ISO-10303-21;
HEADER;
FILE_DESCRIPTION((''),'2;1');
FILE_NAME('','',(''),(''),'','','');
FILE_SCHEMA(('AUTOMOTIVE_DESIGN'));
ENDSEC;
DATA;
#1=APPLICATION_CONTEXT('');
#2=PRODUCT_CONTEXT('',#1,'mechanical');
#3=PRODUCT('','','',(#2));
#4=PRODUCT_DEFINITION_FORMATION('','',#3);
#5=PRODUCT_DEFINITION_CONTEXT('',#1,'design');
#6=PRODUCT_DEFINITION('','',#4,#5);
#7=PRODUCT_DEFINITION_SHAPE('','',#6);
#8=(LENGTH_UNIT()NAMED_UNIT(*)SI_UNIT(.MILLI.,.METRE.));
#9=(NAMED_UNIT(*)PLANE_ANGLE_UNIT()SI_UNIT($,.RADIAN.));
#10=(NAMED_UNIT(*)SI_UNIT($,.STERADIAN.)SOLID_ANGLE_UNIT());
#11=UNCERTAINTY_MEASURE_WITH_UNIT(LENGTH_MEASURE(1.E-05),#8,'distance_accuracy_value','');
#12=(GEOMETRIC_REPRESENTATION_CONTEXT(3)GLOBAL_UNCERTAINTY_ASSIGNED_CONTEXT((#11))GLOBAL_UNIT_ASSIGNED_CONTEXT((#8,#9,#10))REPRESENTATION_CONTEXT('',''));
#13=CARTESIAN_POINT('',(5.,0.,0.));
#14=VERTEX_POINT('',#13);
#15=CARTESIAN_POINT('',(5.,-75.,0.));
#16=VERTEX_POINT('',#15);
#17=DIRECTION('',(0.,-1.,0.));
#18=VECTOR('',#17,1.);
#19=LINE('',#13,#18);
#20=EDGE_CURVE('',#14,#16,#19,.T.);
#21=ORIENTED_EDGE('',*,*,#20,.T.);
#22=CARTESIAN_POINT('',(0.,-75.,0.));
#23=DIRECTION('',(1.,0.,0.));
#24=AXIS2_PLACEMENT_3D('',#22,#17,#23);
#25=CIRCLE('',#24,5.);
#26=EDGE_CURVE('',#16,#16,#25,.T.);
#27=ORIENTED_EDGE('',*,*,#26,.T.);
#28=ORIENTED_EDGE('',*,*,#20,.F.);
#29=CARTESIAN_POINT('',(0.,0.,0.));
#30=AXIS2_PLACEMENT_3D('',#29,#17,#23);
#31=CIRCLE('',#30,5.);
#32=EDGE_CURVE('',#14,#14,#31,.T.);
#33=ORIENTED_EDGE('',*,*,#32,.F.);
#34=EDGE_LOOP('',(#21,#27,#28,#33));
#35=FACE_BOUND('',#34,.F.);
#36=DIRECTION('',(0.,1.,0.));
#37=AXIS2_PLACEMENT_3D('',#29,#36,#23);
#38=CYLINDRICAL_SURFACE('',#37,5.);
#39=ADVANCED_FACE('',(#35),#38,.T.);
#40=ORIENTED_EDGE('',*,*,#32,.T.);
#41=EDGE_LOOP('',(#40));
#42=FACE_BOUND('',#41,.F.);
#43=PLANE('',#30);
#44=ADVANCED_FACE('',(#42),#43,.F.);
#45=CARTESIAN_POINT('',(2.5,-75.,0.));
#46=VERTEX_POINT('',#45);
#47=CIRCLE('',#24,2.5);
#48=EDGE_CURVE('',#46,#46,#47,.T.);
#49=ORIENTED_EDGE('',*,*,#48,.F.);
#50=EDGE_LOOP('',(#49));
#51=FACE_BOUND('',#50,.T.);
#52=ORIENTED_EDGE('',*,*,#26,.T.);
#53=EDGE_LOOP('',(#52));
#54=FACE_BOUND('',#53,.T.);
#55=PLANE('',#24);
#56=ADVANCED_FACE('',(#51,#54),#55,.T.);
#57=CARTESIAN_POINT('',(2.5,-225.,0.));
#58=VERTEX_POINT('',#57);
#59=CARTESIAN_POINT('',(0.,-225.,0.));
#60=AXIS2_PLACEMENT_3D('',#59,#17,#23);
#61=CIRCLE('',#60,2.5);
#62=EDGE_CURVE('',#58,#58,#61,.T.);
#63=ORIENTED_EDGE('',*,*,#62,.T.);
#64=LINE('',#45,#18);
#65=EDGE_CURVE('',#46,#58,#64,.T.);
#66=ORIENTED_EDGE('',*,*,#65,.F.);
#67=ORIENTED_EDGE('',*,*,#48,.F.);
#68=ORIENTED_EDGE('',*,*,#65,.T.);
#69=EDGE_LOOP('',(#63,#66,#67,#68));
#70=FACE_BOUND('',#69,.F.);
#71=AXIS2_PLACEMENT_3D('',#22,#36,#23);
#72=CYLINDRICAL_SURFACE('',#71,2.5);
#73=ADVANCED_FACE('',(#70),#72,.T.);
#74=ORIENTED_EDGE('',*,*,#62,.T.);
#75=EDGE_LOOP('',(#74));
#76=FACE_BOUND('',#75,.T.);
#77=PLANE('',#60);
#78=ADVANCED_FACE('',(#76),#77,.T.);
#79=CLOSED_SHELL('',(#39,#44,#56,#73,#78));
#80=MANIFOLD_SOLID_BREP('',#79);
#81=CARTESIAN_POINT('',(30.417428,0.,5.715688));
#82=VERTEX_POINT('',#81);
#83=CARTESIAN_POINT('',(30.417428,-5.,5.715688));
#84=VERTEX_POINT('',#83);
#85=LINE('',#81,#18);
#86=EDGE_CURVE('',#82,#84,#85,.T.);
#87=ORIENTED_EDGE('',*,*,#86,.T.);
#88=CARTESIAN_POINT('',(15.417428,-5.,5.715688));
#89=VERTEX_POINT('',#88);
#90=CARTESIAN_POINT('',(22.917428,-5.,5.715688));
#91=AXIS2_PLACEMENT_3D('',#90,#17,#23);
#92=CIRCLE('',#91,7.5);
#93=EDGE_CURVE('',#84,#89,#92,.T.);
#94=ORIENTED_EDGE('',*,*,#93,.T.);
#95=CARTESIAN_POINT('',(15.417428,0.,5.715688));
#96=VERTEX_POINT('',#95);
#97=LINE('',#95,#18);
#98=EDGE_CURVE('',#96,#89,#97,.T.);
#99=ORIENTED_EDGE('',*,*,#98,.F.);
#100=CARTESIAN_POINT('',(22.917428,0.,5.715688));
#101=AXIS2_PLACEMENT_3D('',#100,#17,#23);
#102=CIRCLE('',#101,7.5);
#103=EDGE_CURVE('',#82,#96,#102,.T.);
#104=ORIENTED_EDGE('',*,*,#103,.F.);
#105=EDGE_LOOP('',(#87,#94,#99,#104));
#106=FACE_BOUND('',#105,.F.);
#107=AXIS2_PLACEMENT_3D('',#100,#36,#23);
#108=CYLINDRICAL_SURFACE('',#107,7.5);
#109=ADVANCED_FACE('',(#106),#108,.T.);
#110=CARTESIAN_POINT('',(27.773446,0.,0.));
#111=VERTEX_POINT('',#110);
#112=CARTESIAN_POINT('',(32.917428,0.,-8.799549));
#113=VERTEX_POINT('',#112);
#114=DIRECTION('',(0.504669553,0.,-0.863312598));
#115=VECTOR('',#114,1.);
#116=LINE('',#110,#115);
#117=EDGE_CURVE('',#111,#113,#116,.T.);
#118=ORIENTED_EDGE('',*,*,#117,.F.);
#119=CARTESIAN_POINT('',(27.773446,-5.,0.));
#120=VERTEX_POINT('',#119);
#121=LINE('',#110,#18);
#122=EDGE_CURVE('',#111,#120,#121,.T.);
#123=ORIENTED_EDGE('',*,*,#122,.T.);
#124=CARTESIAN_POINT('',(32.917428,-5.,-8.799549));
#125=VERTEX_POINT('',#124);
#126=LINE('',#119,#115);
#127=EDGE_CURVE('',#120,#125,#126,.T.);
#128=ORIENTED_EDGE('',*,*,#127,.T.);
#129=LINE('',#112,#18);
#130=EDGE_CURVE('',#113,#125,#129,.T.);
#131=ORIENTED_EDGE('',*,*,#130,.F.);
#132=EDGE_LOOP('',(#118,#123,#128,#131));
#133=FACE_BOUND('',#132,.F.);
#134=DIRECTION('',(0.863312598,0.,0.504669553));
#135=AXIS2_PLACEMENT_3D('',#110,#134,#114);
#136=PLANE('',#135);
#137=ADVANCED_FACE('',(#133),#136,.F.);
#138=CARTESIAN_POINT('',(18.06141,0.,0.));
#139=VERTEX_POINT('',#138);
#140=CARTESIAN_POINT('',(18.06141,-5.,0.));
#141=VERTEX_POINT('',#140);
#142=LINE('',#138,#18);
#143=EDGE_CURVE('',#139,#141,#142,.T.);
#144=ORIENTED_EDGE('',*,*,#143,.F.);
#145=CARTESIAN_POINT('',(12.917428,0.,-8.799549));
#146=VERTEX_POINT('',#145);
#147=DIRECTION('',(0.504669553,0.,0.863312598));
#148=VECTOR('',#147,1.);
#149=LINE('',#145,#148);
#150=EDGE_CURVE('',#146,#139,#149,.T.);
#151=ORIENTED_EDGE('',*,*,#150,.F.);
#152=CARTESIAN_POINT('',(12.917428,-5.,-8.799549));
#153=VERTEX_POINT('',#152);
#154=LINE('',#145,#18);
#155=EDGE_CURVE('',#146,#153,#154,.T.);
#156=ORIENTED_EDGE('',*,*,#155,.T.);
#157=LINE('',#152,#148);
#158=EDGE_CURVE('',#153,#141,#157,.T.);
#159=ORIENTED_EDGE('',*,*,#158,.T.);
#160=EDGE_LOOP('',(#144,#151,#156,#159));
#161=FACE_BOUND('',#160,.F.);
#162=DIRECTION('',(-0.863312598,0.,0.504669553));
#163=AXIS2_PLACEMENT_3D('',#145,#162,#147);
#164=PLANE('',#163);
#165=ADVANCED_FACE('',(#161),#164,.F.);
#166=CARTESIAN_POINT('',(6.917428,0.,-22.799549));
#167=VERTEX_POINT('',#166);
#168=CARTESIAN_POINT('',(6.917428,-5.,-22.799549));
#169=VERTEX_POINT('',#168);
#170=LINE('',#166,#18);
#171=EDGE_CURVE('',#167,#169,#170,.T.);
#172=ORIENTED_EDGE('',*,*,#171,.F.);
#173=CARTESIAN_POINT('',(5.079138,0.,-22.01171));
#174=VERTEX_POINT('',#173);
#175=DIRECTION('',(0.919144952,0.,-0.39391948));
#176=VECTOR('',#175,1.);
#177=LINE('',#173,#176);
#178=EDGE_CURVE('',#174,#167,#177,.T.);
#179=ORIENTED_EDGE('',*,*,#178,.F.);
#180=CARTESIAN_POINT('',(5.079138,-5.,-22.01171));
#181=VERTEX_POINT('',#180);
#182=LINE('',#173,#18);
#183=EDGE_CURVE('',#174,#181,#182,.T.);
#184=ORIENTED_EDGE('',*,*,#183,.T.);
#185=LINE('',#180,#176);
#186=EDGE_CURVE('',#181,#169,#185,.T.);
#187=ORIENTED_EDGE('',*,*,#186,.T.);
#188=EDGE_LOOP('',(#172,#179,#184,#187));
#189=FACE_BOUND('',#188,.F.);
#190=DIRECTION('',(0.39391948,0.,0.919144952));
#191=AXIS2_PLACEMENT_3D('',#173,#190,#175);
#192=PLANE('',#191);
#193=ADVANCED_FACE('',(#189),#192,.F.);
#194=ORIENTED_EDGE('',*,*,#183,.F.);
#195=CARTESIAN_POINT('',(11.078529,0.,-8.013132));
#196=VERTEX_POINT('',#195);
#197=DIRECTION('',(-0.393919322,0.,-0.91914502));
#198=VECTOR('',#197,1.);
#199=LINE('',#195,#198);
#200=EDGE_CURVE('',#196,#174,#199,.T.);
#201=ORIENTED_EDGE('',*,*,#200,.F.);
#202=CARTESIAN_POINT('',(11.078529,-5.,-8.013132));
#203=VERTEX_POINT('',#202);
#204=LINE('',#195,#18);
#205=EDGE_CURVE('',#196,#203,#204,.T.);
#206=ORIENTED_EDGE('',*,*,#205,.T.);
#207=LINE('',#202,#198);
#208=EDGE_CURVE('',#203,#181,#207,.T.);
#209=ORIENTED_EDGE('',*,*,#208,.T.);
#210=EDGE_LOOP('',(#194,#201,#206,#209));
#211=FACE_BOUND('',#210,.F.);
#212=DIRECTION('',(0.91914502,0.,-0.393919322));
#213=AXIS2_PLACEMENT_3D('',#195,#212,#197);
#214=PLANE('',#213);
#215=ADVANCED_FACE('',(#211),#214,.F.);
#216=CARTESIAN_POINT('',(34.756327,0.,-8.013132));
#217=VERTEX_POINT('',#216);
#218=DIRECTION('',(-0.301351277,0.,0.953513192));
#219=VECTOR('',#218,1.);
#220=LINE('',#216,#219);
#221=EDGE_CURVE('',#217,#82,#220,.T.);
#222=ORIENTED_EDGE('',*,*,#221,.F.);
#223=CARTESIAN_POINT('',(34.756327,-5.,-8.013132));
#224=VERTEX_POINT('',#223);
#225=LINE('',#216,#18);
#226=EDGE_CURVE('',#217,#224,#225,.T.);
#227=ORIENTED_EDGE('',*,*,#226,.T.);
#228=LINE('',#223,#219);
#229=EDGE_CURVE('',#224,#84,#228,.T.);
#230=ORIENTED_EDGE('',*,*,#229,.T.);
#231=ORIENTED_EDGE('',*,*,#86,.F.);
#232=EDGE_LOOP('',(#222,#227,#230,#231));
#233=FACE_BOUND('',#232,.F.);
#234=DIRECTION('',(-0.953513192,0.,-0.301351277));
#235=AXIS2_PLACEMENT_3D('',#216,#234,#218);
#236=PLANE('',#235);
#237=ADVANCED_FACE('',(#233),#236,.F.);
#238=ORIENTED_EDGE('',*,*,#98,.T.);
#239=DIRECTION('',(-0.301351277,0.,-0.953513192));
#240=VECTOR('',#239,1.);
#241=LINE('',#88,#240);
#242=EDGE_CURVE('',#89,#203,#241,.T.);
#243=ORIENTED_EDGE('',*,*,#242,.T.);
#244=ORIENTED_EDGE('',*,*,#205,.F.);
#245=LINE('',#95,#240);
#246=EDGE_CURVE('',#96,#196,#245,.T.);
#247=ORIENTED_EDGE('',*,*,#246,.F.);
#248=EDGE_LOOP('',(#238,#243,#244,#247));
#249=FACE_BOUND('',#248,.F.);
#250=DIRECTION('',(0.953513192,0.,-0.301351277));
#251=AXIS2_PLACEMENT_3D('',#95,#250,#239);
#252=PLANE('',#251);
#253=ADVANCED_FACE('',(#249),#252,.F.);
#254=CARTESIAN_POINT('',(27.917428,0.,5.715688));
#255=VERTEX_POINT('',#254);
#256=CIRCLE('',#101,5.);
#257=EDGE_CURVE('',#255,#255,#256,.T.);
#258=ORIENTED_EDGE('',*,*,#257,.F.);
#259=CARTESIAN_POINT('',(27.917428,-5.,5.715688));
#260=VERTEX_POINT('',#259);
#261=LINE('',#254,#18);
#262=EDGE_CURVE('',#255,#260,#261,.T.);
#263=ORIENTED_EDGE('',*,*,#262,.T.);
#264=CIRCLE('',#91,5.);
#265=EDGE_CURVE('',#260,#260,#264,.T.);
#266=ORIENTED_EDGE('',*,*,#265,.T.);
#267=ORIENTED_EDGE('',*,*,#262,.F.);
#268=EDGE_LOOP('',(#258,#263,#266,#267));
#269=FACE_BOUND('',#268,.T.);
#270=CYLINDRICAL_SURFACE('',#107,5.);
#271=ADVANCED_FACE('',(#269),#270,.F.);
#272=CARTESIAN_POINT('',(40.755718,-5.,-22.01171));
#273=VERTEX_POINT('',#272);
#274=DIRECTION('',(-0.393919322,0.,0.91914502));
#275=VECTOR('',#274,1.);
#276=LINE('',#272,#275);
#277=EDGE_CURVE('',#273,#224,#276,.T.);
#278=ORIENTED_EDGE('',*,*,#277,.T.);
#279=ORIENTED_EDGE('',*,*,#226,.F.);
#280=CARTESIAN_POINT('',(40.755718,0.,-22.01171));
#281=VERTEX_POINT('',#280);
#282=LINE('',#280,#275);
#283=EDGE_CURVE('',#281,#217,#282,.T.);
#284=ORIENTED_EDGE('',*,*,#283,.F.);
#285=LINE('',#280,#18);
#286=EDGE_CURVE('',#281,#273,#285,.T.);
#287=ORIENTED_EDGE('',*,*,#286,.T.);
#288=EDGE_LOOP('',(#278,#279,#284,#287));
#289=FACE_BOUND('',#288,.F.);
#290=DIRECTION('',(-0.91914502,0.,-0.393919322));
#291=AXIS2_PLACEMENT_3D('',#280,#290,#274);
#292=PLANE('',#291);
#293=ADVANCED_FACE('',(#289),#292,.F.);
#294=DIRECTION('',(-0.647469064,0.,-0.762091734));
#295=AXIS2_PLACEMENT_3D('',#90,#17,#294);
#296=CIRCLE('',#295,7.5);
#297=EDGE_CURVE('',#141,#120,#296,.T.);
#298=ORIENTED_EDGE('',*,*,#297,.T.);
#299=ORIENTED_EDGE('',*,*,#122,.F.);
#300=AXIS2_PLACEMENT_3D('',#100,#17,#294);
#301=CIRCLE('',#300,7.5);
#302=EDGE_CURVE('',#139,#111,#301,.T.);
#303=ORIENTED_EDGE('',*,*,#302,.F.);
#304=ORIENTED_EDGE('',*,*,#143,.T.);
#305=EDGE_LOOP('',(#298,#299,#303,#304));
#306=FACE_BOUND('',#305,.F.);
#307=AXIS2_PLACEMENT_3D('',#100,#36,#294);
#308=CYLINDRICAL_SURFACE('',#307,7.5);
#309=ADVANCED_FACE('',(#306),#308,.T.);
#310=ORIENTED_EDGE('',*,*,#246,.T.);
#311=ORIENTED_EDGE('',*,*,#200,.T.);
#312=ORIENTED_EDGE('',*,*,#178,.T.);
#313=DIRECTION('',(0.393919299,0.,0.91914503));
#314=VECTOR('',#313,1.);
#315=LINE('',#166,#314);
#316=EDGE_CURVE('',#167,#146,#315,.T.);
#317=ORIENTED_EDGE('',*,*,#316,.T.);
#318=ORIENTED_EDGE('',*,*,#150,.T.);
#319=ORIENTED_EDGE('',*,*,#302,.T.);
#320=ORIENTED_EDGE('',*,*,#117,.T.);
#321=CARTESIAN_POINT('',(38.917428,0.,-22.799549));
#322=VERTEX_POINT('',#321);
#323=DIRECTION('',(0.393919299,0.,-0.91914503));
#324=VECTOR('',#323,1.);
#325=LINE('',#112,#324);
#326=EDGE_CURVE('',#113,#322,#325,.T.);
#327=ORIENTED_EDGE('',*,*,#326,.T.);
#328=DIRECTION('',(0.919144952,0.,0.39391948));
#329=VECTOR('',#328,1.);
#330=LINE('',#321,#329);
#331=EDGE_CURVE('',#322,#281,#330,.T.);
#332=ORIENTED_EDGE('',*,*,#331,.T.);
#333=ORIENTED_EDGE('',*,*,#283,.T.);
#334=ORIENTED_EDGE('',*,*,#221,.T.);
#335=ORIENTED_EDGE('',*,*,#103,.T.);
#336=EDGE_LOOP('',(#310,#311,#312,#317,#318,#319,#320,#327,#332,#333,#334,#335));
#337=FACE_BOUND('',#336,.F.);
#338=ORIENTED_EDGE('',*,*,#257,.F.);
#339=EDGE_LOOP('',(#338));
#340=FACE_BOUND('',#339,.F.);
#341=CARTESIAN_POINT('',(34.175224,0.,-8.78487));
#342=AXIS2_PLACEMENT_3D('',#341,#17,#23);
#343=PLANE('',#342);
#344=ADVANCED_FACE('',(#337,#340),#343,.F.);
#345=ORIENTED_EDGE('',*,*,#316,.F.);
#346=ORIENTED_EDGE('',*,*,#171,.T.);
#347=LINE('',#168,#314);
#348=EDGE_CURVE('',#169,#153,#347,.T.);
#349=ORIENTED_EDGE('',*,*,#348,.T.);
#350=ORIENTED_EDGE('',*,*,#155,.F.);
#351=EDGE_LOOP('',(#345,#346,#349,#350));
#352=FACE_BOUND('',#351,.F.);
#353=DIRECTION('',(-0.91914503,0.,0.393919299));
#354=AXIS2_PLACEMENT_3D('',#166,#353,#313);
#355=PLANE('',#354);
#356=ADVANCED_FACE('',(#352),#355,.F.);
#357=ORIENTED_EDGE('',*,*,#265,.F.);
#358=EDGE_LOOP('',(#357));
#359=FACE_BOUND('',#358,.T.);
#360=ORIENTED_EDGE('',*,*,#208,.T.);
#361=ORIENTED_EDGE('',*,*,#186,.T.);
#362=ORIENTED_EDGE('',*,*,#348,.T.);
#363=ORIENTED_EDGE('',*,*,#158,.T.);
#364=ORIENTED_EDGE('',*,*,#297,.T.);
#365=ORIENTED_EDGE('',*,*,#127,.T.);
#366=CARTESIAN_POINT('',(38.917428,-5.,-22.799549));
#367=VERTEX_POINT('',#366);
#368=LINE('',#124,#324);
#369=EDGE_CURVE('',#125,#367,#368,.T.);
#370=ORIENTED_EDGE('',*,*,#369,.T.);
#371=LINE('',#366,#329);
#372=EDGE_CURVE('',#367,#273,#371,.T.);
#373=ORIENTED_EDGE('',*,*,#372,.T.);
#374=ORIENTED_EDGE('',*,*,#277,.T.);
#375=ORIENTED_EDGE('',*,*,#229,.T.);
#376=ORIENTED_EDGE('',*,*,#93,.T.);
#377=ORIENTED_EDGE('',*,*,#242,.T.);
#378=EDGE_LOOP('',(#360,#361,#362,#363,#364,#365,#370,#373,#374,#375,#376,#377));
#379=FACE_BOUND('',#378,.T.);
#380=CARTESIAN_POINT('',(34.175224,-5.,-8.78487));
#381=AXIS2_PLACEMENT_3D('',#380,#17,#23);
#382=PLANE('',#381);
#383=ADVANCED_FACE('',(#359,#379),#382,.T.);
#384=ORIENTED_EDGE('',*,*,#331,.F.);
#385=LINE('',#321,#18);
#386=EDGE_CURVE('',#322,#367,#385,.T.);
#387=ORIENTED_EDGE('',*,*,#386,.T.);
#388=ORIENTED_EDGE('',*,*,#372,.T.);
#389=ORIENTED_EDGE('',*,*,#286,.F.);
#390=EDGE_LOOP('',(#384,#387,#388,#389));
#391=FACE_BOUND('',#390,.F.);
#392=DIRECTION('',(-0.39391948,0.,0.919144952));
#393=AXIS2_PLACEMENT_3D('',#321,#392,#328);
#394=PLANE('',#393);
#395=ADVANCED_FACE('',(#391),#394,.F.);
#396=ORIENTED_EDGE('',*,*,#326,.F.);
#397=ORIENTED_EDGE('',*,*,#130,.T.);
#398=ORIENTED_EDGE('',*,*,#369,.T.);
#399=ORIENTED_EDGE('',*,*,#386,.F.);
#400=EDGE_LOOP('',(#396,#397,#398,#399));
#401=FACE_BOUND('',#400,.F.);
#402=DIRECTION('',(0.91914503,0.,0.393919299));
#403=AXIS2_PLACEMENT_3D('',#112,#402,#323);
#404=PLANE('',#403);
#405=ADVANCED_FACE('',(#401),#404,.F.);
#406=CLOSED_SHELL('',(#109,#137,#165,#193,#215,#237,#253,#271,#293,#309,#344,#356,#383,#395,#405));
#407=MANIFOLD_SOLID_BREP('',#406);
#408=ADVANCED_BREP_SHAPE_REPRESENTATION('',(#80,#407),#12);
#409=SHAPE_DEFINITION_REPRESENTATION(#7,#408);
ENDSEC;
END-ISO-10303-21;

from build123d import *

# Parameters (mm, degrees)
F0_R     = 5
F1_DEPTH = 75
F2_R     = 2.5
F3_DEPTH = 150
F4_R     = 5
F5_DEPTH = 5


with BuildPart() as f1:
    # F0 (on Front) → F1 (new body)
    with BuildSketch(Plane.XZ):
        Circle(F0_R)
    extrude(amount=F1_DEPTH)

    # F2 (on face) → F3 (join)
    with BuildSketch(Plane.XZ.offset(75)):
        Circle(F2_R)
    extrude(amount=F3_DEPTH)


with BuildPart() as f5:
    # F4 (on Front) → F5 (new body)
    with BuildSketch(Plane.XZ):
        with BuildLine():
            Line((34.756327, -8.013132), (30.417428, 5.715688))
            ThreePointArc((30.417428, 5.715688), (29.724415, 2.566889), (27.773446, 0))
            Line((27.773446, 0), (32.917428, -8.799549))
            Line((32.917428, -8.799549), (38.917428, -22.799549))
            Line((38.917428, -22.799549), (40.755718, -22.01171))
            Line((40.755718, -22.01171), (34.756327, -8.013132))
        make_face()
        with BuildLine():
            ThreePointArc((18.06141, 0), (16.110441, 2.566889), (15.417428, 5.715688))
            Line((15.417428, 5.715688), (11.078529, -8.013132))
            Line((11.078529, -8.013132), (5.079138, -22.01171))
            Line((5.079138, -22.01171), (6.917428, -22.799549))
            Line((6.917428, -22.799549), (12.917428, -8.799549))
            Line((12.917428, -8.799549), (18.06141, 0))
        make_face()
        with BuildLine():
            ThreePointArc((27.773446, 0), (29.724415, 2.566889), (30.417428, 5.715688))
            ThreePointArc((30.417428, 5.715688), (22.917428, 13.215688), (15.417428, 5.715688))
            ThreePointArc((15.417428, 5.715688), (16.110441, 2.566889), (18.06141, 0))
            ThreePointArc((18.06141, 0), (22.917428, -1.784312), (27.773446, 0))
        make_face()
        with Locations((22.917428, 5.715688)):
            Circle(F4_R, mode=Mode.SUBTRACT)
    extrude(amount=F5_DEPTH)


solid = Compound([f1.part, f5.part])
